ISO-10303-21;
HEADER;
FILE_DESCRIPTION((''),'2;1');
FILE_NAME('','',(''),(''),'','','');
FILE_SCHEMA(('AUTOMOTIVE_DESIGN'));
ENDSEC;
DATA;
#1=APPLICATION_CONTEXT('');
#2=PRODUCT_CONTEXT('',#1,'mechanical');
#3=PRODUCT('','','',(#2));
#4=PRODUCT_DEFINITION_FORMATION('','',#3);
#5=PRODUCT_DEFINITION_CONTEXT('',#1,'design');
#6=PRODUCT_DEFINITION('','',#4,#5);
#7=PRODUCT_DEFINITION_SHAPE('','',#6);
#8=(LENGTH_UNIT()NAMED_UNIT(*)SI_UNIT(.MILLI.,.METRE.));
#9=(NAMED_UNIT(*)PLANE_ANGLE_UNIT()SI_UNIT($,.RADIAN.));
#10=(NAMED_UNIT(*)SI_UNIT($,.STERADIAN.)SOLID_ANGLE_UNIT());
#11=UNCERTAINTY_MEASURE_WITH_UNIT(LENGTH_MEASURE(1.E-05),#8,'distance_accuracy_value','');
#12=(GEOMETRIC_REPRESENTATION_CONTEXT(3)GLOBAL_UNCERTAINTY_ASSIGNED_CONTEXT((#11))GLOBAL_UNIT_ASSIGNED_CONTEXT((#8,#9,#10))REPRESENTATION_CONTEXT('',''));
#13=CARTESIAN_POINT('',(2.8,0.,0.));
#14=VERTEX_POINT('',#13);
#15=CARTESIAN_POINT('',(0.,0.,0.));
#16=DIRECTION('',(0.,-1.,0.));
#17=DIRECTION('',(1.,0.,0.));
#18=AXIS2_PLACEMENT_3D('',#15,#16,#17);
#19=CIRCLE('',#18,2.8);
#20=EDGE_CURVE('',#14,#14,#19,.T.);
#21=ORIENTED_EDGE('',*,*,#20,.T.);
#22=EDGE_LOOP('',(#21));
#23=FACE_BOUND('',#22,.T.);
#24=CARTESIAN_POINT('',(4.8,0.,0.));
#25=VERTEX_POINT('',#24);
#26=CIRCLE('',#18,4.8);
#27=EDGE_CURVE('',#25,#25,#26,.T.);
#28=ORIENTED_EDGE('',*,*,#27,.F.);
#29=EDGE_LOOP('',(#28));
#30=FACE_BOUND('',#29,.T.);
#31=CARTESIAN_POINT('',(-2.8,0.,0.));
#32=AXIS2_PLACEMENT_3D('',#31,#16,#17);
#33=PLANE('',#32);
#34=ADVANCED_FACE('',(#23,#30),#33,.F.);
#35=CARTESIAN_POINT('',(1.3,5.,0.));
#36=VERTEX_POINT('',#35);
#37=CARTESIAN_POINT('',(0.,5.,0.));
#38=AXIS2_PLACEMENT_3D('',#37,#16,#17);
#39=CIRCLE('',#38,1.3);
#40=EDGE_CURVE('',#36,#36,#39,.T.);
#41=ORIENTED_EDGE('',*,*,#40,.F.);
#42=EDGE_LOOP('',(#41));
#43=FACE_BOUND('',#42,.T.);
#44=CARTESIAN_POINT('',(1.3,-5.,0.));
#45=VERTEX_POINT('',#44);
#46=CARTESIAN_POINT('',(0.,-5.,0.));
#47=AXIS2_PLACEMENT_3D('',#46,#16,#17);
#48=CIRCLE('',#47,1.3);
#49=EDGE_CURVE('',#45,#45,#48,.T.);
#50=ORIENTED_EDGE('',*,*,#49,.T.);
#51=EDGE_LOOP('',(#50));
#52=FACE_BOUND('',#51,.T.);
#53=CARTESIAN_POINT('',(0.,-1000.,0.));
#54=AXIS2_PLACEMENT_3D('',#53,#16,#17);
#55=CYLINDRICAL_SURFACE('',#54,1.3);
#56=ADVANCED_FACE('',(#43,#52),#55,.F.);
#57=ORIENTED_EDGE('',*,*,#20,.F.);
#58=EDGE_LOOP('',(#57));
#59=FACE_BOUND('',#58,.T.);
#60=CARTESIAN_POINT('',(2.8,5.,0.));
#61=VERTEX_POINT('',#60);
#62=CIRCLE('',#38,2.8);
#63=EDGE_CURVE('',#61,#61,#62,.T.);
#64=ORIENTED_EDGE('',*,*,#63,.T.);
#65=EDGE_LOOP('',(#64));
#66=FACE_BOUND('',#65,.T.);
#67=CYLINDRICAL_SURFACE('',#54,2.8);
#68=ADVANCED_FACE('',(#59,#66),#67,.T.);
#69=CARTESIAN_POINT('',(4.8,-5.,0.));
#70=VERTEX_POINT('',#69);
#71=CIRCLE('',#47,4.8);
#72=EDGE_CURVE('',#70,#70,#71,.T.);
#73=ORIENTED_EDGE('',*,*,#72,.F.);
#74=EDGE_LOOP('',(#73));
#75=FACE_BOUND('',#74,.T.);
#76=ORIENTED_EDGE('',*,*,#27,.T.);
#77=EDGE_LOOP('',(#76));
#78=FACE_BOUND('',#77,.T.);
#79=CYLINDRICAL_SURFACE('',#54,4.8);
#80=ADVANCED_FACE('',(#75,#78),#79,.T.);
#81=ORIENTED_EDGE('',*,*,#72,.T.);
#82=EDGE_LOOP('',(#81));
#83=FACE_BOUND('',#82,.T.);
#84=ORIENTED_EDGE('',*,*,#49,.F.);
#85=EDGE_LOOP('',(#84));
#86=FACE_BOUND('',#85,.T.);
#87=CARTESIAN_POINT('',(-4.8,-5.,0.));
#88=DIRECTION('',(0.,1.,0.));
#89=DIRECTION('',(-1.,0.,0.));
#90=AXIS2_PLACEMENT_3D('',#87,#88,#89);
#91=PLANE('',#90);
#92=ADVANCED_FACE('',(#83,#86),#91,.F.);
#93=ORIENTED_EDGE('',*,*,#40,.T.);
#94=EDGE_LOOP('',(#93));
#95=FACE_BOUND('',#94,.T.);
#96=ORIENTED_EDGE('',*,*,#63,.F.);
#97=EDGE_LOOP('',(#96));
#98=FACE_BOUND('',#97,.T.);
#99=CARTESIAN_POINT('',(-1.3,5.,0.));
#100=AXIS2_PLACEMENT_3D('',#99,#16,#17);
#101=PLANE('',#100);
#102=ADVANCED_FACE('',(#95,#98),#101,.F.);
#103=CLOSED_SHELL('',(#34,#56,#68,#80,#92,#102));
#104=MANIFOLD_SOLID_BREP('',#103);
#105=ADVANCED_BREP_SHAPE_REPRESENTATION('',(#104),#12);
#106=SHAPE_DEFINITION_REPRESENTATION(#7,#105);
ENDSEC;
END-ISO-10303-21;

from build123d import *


with BuildPart() as part:
    # Sketch1 → Revolve1 (revolve)
    with BuildSketch(Plane.XY, mode=Mode.PRIVATE) as revolve1_sk:
        Polygon((-1.3, 5), (-2.8, 5), (-2.8, 0), (-4.8, 0), (-4.8, -5), (-1.3, -5), align=None)
    revolve(revolve1_sk.sketch.rotate(Axis((0, -1000, 0), (0, 1, 0)), 180), axis=Axis((0, -1000, 0), (0, 1, 0)))


solid = part.part
